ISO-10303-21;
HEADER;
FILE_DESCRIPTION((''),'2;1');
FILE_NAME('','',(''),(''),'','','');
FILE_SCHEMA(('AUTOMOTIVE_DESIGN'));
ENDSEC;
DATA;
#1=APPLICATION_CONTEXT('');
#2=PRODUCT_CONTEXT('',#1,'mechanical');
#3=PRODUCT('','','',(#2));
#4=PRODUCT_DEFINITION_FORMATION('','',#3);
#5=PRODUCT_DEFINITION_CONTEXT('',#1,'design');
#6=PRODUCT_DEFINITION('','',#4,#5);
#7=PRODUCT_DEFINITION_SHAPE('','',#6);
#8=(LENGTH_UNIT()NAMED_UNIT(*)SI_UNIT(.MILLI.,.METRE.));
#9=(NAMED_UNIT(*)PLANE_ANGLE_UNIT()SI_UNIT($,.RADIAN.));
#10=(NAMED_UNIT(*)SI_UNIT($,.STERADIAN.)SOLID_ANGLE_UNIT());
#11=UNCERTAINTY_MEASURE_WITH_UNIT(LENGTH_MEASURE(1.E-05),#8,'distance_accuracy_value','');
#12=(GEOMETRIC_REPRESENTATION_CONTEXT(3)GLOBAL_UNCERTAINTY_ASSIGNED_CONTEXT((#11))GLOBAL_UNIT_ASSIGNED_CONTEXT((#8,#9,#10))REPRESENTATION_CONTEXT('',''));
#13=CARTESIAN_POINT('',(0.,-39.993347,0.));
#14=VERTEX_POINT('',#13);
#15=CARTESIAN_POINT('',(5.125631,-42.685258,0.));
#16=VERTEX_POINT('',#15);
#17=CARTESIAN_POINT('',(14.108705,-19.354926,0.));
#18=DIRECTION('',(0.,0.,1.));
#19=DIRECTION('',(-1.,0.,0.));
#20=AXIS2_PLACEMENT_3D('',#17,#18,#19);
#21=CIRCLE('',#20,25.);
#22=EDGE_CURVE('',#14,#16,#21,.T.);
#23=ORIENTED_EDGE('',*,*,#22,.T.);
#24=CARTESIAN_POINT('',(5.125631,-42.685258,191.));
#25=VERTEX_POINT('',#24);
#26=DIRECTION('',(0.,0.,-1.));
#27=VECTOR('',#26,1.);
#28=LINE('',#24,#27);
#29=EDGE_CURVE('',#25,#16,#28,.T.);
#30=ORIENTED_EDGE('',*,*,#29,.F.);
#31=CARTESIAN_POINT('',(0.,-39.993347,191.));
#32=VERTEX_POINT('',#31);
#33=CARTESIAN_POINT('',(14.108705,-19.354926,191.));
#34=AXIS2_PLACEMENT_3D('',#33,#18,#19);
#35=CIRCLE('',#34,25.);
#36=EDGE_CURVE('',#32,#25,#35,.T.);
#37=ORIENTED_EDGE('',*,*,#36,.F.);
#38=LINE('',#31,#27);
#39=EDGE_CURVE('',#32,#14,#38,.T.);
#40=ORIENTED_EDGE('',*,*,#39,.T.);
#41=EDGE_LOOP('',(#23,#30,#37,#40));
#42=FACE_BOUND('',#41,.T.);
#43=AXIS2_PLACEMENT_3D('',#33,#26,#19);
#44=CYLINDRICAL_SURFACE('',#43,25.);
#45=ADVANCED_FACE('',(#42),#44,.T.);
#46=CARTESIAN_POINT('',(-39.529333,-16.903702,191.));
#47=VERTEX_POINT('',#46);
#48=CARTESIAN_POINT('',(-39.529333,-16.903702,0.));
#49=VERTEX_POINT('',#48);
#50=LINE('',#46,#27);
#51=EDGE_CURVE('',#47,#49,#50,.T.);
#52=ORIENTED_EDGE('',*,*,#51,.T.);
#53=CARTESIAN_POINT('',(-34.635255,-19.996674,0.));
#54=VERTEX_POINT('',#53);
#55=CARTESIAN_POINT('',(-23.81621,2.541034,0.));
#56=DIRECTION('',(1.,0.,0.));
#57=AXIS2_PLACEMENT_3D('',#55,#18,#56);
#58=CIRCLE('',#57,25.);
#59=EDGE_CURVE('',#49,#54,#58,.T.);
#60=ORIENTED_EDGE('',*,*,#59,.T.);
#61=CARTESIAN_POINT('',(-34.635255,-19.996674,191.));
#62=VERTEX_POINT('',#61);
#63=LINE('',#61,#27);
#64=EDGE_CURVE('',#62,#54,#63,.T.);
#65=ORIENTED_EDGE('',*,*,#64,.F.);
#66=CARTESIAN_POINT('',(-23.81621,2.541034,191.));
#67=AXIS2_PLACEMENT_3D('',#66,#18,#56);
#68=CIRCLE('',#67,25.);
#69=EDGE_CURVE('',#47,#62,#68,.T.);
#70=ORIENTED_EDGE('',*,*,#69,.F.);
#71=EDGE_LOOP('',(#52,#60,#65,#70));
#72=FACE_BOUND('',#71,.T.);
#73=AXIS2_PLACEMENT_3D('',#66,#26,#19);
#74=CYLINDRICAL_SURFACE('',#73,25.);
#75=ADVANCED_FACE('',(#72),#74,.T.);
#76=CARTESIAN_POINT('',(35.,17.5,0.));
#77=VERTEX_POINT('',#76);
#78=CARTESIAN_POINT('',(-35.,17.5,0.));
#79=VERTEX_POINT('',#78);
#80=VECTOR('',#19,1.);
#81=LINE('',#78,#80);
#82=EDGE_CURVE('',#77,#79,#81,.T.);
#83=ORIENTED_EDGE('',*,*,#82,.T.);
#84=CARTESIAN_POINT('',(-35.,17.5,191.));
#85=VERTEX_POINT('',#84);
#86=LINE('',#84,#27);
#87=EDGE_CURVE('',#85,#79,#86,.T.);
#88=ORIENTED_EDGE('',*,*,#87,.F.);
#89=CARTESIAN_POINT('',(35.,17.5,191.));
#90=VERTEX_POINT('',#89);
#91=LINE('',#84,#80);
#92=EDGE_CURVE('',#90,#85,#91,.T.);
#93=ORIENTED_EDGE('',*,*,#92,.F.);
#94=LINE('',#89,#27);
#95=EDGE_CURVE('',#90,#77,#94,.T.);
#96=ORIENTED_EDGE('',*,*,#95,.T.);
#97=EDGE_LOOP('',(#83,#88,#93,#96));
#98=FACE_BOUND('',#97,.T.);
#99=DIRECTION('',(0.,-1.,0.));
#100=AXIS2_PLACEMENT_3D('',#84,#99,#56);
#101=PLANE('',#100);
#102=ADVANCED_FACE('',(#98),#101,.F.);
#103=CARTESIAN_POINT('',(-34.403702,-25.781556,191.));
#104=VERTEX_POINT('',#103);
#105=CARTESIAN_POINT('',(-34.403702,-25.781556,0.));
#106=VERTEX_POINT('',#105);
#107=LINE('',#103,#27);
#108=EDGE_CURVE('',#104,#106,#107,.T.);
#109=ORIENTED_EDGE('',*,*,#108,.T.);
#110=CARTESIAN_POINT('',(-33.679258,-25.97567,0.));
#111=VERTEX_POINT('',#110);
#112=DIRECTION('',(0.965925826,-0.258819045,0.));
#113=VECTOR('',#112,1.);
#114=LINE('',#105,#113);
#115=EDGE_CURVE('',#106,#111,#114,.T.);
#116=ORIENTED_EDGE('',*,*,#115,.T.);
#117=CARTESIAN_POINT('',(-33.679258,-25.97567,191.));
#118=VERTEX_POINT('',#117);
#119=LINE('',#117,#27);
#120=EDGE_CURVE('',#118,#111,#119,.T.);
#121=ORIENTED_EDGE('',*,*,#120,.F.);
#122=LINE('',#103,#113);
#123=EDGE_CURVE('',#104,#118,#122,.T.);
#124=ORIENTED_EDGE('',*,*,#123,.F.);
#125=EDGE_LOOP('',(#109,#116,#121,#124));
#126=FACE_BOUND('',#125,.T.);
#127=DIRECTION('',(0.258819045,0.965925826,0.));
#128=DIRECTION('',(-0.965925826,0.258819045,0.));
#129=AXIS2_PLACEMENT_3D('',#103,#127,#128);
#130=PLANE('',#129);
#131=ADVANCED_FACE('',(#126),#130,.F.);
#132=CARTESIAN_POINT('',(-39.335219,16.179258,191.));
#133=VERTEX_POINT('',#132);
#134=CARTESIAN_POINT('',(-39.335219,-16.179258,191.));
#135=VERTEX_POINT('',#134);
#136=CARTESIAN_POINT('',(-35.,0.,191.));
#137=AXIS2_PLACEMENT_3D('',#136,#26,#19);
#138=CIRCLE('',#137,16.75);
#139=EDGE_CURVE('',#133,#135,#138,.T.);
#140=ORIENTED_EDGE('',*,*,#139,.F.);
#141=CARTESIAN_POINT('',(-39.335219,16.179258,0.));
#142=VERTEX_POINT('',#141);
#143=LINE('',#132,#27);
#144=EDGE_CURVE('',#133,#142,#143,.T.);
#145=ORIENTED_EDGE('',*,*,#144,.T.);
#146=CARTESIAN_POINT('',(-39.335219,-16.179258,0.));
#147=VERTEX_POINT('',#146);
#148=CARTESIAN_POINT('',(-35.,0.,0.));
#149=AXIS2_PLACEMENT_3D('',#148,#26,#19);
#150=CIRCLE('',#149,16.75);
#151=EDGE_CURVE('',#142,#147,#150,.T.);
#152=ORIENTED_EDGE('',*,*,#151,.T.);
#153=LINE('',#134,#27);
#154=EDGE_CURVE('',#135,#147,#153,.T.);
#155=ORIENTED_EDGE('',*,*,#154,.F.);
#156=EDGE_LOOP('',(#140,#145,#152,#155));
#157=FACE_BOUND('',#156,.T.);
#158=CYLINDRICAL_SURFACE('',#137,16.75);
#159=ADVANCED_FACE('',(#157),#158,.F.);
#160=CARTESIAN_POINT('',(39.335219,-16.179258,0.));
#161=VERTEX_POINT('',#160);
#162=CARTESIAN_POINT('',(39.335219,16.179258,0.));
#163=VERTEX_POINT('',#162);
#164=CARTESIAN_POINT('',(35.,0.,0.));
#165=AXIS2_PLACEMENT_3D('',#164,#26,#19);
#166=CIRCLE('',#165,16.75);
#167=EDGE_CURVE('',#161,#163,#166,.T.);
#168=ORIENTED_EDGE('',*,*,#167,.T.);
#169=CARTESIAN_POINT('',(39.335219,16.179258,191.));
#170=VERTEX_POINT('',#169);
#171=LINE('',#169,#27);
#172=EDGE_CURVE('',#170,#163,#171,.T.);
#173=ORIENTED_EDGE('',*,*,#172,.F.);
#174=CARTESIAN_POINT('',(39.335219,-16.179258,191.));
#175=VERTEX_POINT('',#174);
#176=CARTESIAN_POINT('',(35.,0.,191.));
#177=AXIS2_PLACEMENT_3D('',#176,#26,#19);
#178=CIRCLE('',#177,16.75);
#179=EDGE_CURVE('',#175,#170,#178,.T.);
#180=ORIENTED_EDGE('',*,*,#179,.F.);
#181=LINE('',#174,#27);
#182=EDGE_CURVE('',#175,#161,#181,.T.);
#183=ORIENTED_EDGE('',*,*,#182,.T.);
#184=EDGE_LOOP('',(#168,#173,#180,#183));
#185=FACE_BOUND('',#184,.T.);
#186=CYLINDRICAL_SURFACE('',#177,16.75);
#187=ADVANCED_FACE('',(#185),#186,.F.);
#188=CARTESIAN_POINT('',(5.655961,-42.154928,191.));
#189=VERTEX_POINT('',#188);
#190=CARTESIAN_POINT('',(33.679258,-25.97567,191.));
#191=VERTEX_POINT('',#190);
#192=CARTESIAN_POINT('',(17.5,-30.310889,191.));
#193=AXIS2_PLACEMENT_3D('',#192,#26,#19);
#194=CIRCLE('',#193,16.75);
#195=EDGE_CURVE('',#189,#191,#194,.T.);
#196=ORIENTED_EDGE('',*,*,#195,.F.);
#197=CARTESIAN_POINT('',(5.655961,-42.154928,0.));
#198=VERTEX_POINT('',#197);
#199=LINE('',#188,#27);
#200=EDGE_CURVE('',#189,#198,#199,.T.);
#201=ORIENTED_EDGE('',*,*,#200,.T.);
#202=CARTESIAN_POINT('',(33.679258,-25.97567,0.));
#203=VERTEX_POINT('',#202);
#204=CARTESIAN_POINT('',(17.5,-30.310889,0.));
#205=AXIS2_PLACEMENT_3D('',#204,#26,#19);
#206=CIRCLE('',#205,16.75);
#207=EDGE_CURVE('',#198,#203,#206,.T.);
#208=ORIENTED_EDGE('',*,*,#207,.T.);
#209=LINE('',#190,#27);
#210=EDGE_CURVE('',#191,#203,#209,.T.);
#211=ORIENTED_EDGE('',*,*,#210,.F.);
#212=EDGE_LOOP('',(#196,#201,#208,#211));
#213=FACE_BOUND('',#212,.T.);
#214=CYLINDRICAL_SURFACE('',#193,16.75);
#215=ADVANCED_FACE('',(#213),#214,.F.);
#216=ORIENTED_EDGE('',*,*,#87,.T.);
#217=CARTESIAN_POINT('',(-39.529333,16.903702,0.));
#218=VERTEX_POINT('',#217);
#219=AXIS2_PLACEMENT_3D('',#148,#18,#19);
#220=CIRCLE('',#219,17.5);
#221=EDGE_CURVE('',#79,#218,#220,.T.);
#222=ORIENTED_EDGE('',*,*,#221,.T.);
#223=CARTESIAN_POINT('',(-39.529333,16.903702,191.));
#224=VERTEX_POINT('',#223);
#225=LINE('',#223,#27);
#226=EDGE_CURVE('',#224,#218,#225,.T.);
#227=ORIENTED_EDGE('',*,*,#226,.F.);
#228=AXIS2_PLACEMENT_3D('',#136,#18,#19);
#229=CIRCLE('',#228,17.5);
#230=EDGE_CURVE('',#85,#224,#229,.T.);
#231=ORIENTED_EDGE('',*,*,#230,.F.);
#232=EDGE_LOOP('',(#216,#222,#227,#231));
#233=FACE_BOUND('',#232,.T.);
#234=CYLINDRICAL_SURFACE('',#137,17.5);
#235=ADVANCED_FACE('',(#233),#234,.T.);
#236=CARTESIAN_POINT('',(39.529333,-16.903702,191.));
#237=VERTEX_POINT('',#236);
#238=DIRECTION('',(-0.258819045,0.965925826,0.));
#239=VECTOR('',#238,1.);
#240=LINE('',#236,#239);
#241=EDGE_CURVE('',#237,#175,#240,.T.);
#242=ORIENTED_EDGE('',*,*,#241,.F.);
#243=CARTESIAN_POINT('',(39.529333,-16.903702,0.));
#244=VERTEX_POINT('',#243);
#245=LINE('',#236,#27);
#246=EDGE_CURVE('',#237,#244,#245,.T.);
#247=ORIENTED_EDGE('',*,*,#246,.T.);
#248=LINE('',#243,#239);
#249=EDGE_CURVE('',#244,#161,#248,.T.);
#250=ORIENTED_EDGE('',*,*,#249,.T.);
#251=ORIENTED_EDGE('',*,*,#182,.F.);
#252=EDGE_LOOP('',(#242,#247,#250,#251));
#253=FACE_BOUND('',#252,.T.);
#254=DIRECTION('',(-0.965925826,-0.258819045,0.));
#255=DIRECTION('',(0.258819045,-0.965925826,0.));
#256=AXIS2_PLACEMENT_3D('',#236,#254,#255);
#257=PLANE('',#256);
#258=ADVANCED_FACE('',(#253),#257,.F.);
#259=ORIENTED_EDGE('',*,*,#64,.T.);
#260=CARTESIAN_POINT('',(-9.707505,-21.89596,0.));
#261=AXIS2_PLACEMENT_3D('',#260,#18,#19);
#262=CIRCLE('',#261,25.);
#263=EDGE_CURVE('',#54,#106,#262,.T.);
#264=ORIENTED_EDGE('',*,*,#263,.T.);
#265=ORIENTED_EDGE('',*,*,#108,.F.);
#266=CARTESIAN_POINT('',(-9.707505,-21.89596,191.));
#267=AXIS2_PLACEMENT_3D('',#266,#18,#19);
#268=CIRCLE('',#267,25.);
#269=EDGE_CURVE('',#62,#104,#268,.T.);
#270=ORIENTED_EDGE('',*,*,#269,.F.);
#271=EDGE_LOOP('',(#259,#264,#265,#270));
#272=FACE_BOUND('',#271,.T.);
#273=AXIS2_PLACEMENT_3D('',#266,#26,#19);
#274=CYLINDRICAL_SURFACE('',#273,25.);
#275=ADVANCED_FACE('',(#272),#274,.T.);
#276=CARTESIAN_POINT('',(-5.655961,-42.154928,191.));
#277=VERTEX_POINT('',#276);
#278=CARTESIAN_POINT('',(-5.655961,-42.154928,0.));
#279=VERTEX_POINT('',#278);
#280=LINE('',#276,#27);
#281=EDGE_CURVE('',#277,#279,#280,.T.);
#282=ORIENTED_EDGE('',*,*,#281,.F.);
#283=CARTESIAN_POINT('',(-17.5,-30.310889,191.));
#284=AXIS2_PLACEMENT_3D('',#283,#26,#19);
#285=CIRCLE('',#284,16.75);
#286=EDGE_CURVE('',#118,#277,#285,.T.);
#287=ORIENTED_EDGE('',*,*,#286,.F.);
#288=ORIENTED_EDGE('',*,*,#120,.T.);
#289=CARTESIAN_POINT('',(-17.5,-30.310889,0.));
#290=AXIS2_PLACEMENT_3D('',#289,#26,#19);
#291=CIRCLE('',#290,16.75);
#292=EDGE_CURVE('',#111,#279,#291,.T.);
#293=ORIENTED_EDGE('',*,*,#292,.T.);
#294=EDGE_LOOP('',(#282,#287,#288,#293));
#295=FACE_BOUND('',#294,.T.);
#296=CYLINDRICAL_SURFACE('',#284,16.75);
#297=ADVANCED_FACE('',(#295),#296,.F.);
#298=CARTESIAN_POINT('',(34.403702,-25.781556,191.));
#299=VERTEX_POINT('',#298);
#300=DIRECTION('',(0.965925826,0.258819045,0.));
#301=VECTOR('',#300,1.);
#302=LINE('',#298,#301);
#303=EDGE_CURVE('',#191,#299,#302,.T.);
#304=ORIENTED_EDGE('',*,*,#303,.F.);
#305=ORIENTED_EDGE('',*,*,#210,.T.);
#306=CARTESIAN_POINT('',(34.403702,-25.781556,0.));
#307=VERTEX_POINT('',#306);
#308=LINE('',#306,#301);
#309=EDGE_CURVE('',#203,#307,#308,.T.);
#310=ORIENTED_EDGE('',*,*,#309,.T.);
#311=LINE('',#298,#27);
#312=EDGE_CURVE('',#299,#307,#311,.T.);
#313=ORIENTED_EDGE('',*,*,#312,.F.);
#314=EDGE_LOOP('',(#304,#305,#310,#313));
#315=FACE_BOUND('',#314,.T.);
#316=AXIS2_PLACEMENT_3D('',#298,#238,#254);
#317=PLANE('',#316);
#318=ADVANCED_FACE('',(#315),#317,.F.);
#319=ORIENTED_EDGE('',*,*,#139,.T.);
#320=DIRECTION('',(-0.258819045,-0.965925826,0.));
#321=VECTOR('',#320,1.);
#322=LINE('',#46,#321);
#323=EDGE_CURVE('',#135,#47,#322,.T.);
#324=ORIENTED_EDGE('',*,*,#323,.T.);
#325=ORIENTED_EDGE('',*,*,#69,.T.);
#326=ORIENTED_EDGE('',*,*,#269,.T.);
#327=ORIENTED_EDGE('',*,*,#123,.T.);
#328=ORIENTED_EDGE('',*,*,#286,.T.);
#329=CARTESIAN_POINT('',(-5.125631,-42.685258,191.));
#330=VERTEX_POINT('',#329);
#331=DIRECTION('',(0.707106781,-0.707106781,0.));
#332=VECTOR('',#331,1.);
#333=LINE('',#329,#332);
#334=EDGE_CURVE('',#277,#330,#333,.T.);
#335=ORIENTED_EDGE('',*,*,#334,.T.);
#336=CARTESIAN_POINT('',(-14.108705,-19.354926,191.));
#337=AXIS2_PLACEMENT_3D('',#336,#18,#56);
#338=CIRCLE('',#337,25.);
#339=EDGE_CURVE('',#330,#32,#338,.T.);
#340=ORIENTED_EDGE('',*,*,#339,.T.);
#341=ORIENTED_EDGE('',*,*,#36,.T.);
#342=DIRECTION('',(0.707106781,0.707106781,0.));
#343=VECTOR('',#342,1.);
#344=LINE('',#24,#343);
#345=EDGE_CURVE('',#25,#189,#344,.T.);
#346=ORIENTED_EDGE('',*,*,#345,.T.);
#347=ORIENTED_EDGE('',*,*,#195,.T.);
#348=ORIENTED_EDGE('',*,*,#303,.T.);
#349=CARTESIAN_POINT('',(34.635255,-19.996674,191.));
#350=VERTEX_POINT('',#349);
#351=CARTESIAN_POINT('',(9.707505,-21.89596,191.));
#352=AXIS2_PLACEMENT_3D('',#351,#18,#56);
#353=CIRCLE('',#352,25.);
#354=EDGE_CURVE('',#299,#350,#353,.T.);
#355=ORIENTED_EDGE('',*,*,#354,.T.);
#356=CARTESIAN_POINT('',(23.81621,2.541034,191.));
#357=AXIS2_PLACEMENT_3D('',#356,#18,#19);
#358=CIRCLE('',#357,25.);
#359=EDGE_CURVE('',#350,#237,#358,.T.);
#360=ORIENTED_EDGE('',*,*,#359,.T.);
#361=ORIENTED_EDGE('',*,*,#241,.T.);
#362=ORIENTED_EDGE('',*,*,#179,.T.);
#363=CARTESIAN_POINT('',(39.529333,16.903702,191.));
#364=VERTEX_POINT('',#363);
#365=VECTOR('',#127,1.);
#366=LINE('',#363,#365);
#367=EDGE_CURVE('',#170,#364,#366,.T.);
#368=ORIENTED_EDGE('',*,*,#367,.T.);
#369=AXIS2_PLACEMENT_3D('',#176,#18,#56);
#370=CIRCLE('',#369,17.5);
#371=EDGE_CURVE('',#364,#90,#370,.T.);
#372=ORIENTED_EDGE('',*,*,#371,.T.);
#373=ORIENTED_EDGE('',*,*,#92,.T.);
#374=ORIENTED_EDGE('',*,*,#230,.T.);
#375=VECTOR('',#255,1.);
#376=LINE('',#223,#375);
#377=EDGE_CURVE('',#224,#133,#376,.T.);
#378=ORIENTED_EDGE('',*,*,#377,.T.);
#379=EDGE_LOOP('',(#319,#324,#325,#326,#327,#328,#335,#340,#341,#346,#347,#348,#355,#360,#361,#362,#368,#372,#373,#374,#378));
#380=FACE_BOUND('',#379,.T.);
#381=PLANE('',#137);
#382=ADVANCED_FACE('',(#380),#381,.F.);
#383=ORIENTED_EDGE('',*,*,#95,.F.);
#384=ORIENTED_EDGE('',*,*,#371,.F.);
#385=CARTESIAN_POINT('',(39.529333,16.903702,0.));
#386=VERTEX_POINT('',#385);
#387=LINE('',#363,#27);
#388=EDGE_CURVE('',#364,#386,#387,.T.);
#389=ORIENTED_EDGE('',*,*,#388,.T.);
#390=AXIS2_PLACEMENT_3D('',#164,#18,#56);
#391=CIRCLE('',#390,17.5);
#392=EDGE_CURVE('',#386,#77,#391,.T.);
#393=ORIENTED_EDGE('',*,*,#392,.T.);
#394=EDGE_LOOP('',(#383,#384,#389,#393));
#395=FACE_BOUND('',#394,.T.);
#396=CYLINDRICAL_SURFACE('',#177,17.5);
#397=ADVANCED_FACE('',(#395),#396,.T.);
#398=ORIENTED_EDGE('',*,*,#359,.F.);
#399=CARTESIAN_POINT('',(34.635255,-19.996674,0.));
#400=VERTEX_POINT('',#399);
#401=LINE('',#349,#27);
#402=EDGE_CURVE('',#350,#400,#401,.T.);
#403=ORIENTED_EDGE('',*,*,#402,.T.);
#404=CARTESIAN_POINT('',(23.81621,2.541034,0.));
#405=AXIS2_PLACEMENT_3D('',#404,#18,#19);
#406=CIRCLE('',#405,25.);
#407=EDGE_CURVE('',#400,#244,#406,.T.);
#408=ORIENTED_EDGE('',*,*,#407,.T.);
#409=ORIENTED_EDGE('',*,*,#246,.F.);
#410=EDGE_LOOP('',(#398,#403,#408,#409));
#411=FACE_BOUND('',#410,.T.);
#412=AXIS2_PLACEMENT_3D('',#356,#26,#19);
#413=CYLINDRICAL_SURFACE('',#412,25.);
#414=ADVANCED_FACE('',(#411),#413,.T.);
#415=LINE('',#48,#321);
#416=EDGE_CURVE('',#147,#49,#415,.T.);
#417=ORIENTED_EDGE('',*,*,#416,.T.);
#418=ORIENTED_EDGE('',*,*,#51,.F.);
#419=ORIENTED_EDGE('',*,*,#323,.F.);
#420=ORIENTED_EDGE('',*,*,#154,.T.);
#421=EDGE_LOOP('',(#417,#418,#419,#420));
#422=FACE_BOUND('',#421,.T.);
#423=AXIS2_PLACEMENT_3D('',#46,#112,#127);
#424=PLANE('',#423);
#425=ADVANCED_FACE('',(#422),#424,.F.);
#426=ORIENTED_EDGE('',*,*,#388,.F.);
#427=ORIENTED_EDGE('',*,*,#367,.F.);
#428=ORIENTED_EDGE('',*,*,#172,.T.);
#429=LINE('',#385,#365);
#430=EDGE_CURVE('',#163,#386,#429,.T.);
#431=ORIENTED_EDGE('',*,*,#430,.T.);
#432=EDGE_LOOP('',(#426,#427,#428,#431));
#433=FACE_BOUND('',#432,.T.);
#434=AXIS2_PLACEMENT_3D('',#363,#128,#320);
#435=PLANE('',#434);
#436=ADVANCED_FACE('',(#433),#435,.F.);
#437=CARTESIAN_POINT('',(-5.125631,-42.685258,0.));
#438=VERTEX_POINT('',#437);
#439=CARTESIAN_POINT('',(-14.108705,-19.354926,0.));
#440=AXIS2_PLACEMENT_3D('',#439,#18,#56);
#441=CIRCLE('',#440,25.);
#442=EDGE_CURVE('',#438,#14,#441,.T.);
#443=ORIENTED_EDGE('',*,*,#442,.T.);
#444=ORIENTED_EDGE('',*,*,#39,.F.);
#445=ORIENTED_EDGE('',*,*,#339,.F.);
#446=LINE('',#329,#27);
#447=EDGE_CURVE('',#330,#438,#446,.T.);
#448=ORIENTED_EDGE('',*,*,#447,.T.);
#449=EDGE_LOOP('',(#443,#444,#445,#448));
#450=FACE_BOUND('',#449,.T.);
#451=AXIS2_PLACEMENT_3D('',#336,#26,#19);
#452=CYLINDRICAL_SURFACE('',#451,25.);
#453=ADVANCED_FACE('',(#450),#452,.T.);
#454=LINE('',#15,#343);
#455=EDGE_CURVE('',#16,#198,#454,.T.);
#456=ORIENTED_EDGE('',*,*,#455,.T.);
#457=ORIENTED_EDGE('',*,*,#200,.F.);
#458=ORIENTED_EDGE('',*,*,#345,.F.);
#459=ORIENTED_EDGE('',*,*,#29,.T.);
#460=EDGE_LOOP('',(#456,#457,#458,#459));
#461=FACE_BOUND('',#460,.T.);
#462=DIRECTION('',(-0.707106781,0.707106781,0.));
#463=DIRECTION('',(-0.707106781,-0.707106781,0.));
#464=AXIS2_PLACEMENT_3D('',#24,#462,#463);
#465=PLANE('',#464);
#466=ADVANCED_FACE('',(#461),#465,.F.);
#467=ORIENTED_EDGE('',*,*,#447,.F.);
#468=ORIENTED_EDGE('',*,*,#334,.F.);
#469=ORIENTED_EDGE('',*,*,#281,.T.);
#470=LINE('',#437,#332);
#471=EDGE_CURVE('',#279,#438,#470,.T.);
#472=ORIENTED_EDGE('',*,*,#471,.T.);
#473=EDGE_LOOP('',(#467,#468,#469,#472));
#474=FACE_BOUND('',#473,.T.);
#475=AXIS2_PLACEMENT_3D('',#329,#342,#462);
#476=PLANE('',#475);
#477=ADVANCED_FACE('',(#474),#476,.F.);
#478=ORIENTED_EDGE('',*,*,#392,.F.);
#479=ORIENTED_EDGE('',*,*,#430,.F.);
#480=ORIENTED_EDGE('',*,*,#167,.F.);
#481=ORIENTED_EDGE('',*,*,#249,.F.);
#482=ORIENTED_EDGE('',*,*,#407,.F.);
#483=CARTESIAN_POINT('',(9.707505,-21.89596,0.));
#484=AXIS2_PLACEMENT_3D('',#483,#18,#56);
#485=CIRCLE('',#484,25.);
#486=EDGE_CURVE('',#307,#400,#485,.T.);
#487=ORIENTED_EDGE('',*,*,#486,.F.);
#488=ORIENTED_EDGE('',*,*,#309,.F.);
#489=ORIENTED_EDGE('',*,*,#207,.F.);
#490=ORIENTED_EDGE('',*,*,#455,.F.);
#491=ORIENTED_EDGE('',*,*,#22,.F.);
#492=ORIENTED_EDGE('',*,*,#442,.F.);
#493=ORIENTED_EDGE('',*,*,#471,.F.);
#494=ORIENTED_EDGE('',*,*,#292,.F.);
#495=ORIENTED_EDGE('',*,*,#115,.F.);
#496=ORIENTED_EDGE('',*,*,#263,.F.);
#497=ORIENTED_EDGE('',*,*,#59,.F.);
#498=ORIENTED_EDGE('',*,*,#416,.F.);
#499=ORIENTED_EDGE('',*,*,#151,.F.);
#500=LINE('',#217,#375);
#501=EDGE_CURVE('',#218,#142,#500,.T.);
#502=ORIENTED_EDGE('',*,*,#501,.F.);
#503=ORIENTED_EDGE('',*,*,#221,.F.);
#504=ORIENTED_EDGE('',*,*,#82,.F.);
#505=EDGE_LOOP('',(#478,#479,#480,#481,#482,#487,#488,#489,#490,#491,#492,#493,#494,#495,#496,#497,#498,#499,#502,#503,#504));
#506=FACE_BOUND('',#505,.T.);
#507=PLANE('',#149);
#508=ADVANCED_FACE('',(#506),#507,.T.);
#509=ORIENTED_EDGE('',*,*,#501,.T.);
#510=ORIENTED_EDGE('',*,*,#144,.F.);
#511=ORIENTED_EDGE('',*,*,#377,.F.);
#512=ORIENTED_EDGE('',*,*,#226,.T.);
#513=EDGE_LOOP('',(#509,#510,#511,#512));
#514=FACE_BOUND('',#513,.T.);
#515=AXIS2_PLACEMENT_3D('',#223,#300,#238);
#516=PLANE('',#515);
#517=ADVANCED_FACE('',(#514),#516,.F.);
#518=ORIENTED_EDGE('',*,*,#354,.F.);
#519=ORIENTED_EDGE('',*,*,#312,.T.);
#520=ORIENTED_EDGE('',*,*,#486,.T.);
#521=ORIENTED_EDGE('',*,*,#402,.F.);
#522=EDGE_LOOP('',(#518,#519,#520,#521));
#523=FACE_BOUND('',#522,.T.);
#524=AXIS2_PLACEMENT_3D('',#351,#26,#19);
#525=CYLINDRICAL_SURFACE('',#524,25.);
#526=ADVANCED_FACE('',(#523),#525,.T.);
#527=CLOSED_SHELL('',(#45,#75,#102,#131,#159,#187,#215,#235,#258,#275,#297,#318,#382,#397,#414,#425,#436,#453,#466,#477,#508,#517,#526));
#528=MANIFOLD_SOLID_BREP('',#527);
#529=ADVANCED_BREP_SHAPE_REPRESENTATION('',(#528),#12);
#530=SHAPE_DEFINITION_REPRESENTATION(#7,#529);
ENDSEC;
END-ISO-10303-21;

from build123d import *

# Parameters (mm, degrees)
BOSS_EXTRU_1_DEPTH = 191


with BuildPart() as part:
    # Esquisse1 → Boss.-Extru.1 (new body)
    with BuildSketch(Plane.XY):
        with BuildLine():
            Line((-39.529333289, 16.90370196), (-39.335219005, 16.17925759))
            ThreePointArc((-39.335219005, 16.17925759), (-18.25, 0), (-39.335219005, -16.17925759))
            Line((-39.335219005, -16.17925759), (-39.529333289, -16.90370196))
            ThreePointArc((-39.529333289, -16.90370196), (-37.17213026, -18.592337614), (-34.635254916, -19.996673749))
            ThreePointArc((-34.635254916, -19.996673749), (-34.68750182, -22.895840311), (-34.40370196, -25.781555843))
            Line((-34.40370196, -25.781555843), (-33.67925759, -25.975670127))
            ThreePointArc((-33.67925759, -25.975670127), (-9.125, -15.804963619), (-5.655961415, -42.154927717))
            Line((-5.655961415, -42.154927717), (-5.125631329, -42.685257803))
            ThreePointArc((-5.125631329, -42.685257803), (-2.48462844, -41.488177925), (0, -39.993347498))
            ThreePointArc((0, -39.993347498), (2.48462844, -41.488177925), (5.125631329, -42.685257803))
            Line((5.125631329, -42.685257803), (5.655961415, -42.154927717))
            ThreePointArc((5.655961415, -42.154927717), (9.125, -15.804963619), (33.67925759, -25.975670127))
            Line((33.67925759, -25.975670127), (34.40370196, -25.781555843))
            ThreePointArc((34.40370196, -25.781555843), (34.68750182, -22.895840311), (34.635254916, -19.996673749))
            ThreePointArc((34.635254916, -19.996673749), (37.17213026, -18.592337614), (39.529333289, -16.90370196))
            Line((39.529333289, -16.90370196), (39.335219005, -16.17925759))
            ThreePointArc((39.335219005, -16.17925759), (18.25, 0), (39.335219005, 16.17925759))
            Line((39.335219005, 16.17925759), (39.529333289, 16.90370196))
            ThreePointArc((39.529333289, 16.90370196), (37.284208364, 17.350285074), (35, 17.5))
            Line((35, 17.5), (-35, 17.5))
            ThreePointArc((-35, 17.5), (-37.284208364, 17.350285074), (-39.529333289, 16.90370196))
        make_face()
    extrude(amount=BOSS_EXTRU_1_DEPTH)


solid = part.part
